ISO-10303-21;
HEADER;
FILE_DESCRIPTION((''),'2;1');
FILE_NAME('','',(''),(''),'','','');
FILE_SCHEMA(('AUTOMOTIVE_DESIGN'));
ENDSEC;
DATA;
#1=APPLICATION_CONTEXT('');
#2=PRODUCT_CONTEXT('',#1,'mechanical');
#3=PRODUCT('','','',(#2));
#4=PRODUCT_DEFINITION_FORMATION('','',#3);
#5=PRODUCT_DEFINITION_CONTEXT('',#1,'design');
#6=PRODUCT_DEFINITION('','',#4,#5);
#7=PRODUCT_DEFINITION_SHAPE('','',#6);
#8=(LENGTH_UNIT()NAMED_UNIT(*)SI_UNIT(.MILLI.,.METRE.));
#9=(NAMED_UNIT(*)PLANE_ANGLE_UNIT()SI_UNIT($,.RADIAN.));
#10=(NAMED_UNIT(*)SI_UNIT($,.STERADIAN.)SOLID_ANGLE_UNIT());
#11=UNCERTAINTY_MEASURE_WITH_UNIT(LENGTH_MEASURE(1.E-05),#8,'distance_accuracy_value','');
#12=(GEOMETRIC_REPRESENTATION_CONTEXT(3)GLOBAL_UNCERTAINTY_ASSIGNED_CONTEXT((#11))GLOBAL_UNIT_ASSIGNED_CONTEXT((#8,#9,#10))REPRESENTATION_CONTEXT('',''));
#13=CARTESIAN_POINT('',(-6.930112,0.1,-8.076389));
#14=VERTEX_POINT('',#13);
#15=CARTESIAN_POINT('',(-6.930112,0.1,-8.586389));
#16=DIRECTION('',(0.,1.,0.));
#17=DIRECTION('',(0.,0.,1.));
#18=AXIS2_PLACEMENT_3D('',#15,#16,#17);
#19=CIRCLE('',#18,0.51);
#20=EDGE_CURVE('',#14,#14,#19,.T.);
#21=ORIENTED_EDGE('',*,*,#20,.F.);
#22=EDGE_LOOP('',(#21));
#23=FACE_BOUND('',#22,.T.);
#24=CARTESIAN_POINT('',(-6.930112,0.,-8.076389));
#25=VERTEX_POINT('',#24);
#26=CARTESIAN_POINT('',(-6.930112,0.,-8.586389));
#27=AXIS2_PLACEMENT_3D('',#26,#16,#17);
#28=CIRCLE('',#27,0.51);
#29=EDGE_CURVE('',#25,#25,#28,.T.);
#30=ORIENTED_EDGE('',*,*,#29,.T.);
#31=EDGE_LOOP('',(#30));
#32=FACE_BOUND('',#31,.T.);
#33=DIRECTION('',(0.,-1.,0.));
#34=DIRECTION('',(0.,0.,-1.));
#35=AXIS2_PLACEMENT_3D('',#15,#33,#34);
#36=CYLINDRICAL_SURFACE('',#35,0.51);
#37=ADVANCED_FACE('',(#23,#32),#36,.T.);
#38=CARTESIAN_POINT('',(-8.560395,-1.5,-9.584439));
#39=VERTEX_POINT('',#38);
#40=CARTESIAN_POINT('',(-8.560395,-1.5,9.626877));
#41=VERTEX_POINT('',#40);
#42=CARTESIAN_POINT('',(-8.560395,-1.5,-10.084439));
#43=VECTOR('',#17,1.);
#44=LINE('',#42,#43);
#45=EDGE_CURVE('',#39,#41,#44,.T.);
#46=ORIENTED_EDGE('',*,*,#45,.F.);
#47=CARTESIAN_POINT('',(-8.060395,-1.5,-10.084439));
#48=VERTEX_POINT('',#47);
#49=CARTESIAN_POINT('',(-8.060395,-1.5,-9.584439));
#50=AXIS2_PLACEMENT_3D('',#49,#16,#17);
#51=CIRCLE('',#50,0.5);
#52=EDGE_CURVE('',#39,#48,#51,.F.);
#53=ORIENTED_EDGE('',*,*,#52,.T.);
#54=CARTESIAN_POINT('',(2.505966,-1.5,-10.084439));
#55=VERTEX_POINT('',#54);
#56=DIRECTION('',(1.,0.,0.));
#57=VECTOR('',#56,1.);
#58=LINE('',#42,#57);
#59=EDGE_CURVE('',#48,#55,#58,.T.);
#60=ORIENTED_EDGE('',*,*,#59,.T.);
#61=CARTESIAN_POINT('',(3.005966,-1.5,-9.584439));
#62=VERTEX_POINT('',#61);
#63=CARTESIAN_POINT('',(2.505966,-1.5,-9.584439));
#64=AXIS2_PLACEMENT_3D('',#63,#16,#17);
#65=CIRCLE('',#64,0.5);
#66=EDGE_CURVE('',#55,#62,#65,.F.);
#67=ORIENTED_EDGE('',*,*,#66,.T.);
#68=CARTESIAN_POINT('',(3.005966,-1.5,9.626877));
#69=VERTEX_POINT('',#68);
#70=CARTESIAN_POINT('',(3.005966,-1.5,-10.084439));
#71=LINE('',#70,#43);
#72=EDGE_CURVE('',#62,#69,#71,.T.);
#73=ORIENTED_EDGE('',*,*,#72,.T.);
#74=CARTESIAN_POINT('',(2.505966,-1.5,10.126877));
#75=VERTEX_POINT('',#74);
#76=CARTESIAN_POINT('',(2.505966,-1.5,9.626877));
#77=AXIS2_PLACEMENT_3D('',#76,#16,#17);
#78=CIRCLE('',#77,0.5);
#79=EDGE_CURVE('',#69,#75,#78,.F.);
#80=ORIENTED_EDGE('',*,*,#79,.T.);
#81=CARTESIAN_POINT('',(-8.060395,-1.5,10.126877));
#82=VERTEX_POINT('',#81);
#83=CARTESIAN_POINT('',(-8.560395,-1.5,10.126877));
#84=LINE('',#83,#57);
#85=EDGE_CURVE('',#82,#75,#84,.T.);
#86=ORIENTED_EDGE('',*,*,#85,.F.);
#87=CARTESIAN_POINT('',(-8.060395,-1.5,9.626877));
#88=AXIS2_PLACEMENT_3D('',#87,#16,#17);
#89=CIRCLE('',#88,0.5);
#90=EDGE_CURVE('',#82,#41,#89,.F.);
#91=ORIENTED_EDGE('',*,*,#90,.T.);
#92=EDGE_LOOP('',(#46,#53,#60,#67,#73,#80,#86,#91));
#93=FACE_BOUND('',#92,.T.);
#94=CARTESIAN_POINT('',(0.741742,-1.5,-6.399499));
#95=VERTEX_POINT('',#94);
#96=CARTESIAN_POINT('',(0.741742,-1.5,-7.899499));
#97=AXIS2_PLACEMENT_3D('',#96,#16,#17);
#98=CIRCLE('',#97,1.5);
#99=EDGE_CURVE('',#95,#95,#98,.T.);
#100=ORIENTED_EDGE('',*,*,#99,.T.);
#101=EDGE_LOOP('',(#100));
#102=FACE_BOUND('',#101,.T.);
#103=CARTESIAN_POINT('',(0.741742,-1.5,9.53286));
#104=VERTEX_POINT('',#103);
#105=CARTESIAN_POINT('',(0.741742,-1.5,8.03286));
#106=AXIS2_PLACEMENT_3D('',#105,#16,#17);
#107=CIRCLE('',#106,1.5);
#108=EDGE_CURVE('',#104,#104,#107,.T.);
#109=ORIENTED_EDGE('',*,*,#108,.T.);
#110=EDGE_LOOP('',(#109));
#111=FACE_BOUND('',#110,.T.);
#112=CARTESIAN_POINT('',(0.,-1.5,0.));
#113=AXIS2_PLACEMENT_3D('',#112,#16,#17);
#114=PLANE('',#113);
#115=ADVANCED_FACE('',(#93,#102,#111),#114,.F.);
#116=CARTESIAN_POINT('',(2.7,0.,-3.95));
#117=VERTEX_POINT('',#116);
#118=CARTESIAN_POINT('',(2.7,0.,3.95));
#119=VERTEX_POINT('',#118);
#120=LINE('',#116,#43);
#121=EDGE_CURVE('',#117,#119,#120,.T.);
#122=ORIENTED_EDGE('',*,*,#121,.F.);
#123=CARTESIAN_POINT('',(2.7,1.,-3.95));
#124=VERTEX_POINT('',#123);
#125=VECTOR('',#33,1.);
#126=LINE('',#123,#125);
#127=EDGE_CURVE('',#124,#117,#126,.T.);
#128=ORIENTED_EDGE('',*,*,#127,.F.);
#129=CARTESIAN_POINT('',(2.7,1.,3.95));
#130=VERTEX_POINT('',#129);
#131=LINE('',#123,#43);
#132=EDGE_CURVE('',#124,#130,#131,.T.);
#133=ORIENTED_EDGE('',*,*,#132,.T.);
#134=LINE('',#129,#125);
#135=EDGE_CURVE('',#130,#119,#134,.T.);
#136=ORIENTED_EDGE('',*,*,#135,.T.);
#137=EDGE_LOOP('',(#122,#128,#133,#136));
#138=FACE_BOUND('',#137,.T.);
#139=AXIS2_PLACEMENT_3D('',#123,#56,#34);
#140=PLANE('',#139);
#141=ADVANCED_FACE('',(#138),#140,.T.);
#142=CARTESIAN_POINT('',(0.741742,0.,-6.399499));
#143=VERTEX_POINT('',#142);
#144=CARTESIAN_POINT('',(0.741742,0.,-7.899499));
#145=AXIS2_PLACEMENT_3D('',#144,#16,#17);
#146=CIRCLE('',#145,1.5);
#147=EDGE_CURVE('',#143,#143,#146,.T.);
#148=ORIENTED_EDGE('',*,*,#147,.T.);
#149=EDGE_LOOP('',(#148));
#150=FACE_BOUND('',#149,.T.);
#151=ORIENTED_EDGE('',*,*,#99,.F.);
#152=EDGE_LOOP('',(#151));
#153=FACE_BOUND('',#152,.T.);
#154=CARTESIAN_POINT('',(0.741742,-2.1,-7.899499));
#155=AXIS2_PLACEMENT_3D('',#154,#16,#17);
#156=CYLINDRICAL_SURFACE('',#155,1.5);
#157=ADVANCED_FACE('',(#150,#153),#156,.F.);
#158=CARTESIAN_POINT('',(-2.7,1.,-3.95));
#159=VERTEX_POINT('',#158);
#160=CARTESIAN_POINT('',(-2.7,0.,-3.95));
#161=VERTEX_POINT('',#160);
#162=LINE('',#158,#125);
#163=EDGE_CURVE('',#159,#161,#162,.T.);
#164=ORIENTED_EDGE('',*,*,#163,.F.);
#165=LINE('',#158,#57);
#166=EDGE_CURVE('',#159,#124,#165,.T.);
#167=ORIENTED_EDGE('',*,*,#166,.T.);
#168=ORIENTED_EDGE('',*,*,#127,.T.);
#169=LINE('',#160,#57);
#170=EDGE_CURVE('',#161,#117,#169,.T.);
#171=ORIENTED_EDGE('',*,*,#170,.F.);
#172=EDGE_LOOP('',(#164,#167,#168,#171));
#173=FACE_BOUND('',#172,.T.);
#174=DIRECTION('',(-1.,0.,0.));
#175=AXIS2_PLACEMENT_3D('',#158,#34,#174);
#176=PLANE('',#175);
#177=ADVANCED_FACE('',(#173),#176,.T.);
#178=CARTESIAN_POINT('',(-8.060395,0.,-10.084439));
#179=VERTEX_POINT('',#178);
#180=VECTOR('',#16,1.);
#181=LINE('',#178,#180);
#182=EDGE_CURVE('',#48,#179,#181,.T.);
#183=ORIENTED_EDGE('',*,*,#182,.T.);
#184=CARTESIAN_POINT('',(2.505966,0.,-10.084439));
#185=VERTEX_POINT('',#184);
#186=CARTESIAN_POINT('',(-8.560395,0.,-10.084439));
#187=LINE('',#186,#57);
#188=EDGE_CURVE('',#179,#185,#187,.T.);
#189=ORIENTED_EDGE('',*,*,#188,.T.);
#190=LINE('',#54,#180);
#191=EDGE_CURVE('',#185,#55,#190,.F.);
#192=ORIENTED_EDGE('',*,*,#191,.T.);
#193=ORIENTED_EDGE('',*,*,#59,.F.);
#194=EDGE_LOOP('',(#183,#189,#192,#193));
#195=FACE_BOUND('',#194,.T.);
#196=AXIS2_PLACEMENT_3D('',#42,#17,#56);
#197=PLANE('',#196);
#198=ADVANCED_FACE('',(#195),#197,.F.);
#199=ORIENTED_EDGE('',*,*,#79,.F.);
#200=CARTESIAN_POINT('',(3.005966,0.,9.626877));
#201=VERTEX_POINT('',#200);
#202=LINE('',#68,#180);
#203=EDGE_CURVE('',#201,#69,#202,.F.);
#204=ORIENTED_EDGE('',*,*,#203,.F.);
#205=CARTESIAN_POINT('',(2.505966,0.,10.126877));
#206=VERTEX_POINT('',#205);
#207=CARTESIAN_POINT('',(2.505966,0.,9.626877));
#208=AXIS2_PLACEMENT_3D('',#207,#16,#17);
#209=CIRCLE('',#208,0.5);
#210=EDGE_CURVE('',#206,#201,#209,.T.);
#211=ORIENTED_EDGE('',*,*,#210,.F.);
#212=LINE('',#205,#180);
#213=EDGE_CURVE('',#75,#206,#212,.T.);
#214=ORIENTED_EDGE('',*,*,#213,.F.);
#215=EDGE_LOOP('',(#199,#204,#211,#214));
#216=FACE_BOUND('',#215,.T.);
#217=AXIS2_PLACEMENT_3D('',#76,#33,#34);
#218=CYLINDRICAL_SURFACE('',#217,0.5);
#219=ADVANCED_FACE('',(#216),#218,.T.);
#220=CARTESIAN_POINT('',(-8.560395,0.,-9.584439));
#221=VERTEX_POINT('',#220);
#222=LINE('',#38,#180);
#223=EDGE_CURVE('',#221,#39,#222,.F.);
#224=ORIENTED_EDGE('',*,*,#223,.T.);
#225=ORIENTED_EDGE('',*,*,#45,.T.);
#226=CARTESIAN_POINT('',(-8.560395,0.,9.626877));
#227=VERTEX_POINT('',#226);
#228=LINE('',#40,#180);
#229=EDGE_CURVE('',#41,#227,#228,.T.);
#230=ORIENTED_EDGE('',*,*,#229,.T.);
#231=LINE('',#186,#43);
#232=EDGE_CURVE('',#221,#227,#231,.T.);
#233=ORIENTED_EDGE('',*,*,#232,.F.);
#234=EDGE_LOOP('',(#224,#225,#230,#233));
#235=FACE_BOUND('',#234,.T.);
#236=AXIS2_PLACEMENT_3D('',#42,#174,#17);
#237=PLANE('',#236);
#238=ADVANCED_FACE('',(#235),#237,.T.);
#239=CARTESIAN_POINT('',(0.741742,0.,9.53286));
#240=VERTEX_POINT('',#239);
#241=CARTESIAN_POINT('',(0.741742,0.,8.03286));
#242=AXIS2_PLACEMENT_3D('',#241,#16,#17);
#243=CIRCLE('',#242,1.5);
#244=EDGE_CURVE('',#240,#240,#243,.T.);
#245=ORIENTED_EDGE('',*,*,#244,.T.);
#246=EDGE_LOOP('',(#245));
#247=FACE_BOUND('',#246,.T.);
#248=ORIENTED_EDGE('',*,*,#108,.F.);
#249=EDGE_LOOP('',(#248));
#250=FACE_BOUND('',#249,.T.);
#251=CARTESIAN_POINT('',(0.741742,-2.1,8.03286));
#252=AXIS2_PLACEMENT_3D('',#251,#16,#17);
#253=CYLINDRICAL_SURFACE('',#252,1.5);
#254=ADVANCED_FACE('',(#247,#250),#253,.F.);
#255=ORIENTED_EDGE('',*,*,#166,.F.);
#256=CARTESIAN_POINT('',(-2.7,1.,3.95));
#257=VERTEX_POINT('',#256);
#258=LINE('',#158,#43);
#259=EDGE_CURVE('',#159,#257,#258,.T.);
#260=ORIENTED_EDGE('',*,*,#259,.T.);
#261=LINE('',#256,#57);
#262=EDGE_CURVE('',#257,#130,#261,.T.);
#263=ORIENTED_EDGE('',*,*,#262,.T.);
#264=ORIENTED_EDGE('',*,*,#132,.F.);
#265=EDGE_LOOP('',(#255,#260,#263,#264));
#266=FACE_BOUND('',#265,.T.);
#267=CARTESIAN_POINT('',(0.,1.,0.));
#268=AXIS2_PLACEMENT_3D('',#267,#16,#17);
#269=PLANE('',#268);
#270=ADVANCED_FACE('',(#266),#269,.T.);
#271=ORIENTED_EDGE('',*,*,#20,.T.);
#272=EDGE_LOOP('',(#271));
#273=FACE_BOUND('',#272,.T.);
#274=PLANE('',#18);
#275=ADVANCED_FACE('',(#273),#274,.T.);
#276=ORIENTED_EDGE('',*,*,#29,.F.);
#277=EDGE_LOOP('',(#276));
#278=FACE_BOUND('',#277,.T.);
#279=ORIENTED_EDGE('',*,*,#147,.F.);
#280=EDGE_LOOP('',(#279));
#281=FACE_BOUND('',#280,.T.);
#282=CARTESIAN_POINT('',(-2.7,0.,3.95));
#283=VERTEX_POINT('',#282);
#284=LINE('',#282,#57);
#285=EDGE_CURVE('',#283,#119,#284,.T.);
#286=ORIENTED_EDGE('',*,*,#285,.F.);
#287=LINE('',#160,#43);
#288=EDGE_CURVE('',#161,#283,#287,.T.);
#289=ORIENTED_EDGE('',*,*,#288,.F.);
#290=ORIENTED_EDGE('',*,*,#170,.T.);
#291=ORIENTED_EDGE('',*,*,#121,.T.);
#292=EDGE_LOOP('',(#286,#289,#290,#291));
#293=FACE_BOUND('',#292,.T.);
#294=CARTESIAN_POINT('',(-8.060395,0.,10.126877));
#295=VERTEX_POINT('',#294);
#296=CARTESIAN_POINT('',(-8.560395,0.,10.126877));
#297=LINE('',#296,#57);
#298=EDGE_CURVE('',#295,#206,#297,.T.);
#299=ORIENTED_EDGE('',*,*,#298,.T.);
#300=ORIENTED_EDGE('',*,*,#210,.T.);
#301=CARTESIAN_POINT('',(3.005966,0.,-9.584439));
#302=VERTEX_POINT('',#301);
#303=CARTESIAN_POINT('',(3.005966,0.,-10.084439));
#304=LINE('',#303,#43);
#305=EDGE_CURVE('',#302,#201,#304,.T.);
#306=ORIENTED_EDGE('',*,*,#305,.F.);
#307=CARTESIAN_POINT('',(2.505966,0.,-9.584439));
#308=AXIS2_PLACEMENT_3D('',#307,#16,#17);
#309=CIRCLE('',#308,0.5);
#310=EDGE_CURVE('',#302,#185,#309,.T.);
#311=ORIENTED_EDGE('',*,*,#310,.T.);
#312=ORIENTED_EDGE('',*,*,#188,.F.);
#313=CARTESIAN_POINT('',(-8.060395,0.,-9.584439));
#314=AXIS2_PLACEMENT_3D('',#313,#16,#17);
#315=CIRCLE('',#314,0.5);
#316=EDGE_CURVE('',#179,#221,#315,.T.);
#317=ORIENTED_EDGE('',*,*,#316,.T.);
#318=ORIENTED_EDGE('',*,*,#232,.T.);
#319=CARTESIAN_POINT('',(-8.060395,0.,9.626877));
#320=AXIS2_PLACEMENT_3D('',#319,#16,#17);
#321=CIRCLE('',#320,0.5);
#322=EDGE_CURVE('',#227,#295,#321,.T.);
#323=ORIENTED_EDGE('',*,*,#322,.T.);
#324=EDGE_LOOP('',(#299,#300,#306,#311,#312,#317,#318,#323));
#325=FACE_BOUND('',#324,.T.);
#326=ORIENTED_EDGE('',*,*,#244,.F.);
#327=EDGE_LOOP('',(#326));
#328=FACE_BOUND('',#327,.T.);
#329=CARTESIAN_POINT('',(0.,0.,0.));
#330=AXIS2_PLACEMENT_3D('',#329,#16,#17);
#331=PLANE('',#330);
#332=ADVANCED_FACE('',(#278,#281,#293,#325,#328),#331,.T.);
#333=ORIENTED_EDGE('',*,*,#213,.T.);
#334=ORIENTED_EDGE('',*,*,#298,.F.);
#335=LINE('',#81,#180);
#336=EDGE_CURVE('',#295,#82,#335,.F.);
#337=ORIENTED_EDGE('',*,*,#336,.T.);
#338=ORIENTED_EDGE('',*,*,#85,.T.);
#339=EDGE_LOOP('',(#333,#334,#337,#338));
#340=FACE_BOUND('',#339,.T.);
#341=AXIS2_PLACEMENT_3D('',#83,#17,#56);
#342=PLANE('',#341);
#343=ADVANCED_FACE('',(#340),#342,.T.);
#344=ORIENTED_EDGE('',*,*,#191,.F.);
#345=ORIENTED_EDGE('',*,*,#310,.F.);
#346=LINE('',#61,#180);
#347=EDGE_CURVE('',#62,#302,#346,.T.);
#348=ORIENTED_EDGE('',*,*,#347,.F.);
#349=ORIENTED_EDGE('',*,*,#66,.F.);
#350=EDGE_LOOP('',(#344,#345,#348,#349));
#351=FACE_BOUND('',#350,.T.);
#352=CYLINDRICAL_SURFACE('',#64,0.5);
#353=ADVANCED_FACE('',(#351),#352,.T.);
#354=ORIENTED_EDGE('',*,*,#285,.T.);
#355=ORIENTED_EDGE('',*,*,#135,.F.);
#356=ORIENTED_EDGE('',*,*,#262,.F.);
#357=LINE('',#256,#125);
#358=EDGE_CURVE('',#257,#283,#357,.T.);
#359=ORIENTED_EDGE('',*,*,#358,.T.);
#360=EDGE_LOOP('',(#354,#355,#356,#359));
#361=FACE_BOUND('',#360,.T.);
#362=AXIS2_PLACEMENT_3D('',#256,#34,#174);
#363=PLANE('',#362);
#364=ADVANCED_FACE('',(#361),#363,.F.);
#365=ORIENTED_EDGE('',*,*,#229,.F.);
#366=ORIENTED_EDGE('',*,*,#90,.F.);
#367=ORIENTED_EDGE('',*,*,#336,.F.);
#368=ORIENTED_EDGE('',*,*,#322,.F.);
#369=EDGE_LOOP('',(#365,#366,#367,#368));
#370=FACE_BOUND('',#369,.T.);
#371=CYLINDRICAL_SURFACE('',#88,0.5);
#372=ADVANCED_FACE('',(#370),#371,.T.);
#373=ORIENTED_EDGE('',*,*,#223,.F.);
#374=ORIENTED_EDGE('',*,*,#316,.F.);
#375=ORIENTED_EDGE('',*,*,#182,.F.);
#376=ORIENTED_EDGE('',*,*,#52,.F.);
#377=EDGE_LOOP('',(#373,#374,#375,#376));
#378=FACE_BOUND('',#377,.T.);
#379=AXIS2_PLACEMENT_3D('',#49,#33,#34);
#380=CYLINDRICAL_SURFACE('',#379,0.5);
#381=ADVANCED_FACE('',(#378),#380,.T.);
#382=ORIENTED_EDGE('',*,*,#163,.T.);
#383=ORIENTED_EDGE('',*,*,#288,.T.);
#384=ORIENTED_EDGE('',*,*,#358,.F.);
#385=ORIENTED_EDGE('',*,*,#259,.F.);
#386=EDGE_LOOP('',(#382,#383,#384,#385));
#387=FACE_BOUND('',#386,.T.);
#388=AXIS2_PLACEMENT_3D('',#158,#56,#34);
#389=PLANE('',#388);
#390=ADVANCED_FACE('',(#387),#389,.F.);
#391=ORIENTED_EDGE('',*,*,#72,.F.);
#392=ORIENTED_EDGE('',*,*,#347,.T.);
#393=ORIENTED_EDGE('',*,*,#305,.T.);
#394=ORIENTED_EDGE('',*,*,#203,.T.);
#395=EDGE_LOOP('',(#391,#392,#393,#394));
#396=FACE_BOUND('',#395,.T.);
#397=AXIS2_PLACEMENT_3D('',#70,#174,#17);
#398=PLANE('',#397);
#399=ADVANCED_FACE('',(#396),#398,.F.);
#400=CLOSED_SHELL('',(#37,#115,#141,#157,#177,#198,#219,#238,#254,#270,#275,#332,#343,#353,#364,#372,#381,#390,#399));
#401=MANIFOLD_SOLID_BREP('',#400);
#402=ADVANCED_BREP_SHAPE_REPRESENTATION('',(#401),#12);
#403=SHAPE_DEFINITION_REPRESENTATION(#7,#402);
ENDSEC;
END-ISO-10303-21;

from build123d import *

# Parameters (mm, degrees)
SKETCH1_W           = 11.566360694
SKETCH1_H           = 20.211316514
BOSS_EXTRUDE1_DEPTH = 1.5
SKETCH1_4_W         = 5.4
SKETCH1_4_H         = 7.9
BOSS_EXTRUDE2_DEPTH = 1
SKETCH1_5_R         = 0.51
BOSS_EXTRUDE3_DEPTH = 0.1
SKETCH2_R           = 1.5
CUT_EXTRUDE1_DEPTH  = 2.1
FILLET1_R           = 0.5


with BuildPart() as part:
    # Sketch1 → Boss-Extrude1 (new body)
    with BuildSketch(Plane(origin=(0, 0, 0), x_dir=(1, 0, 0), z_dir=(0, 1, 0))):
        with Locations((-2.777214228, -0.021219212)):
            Rectangle(SKETCH1_W, SKETCH1_H)
    extrude(amount=-BOSS_EXTRUDE1_DEPTH)

    # Sketch1<4> → Boss-Extrude2 (add)
    with BuildSketch(Plane(origin=(0, 0, 0), x_dir=(1, 0, 0), z_dir=(0, 1, 0))):
        Rectangle(SKETCH1_4_W, SKETCH1_4_H)
    extrude(amount=BOSS_EXTRUDE2_DEPTH)

    # Sketch1<5> → Boss-Extrude3 (add)
    with BuildSketch(Plane(origin=(0, 0, 0), x_dir=(1, 0, 0), z_dir=(0, 1, 0))):
        with Locations((-6.930111953, 8.586389213)):
            Circle(SKETCH1_5_R)
    extrude(amount=BOSS_EXTRUDE3_DEPTH)

    # Sketch2 → Cut-Extrude1 (cut)
    with BuildSketch(Plane(origin=(0, 0, 0), x_dir=(1, 0, 0), z_dir=(0, 1, 0))):
        with Locations((0.741742268, 7.899498536)):
            Circle(SKETCH2_R)
        with Locations((0.741742268, -8.032859578)):
            Circle(SKETCH2_R)
    extrude(amount=-CUT_EXTRUDE1_DEPTH, mode=Mode.SUBTRACT)

    # Fillet1
    fillet1_edges = [part.edges().sort_by_distance(p)[0] for p in [
        (3.005966119, -0.75, -10.084439045),
        (-8.560394575, -0.75, -10.084439045),
        (-8.560394575, -0.75, 10.126877469),
        (3.005966119, -0.75, 10.126877469),
    ]]
    fillet(fillet1_edges, radius=FILLET1_R)


solid = part.part
